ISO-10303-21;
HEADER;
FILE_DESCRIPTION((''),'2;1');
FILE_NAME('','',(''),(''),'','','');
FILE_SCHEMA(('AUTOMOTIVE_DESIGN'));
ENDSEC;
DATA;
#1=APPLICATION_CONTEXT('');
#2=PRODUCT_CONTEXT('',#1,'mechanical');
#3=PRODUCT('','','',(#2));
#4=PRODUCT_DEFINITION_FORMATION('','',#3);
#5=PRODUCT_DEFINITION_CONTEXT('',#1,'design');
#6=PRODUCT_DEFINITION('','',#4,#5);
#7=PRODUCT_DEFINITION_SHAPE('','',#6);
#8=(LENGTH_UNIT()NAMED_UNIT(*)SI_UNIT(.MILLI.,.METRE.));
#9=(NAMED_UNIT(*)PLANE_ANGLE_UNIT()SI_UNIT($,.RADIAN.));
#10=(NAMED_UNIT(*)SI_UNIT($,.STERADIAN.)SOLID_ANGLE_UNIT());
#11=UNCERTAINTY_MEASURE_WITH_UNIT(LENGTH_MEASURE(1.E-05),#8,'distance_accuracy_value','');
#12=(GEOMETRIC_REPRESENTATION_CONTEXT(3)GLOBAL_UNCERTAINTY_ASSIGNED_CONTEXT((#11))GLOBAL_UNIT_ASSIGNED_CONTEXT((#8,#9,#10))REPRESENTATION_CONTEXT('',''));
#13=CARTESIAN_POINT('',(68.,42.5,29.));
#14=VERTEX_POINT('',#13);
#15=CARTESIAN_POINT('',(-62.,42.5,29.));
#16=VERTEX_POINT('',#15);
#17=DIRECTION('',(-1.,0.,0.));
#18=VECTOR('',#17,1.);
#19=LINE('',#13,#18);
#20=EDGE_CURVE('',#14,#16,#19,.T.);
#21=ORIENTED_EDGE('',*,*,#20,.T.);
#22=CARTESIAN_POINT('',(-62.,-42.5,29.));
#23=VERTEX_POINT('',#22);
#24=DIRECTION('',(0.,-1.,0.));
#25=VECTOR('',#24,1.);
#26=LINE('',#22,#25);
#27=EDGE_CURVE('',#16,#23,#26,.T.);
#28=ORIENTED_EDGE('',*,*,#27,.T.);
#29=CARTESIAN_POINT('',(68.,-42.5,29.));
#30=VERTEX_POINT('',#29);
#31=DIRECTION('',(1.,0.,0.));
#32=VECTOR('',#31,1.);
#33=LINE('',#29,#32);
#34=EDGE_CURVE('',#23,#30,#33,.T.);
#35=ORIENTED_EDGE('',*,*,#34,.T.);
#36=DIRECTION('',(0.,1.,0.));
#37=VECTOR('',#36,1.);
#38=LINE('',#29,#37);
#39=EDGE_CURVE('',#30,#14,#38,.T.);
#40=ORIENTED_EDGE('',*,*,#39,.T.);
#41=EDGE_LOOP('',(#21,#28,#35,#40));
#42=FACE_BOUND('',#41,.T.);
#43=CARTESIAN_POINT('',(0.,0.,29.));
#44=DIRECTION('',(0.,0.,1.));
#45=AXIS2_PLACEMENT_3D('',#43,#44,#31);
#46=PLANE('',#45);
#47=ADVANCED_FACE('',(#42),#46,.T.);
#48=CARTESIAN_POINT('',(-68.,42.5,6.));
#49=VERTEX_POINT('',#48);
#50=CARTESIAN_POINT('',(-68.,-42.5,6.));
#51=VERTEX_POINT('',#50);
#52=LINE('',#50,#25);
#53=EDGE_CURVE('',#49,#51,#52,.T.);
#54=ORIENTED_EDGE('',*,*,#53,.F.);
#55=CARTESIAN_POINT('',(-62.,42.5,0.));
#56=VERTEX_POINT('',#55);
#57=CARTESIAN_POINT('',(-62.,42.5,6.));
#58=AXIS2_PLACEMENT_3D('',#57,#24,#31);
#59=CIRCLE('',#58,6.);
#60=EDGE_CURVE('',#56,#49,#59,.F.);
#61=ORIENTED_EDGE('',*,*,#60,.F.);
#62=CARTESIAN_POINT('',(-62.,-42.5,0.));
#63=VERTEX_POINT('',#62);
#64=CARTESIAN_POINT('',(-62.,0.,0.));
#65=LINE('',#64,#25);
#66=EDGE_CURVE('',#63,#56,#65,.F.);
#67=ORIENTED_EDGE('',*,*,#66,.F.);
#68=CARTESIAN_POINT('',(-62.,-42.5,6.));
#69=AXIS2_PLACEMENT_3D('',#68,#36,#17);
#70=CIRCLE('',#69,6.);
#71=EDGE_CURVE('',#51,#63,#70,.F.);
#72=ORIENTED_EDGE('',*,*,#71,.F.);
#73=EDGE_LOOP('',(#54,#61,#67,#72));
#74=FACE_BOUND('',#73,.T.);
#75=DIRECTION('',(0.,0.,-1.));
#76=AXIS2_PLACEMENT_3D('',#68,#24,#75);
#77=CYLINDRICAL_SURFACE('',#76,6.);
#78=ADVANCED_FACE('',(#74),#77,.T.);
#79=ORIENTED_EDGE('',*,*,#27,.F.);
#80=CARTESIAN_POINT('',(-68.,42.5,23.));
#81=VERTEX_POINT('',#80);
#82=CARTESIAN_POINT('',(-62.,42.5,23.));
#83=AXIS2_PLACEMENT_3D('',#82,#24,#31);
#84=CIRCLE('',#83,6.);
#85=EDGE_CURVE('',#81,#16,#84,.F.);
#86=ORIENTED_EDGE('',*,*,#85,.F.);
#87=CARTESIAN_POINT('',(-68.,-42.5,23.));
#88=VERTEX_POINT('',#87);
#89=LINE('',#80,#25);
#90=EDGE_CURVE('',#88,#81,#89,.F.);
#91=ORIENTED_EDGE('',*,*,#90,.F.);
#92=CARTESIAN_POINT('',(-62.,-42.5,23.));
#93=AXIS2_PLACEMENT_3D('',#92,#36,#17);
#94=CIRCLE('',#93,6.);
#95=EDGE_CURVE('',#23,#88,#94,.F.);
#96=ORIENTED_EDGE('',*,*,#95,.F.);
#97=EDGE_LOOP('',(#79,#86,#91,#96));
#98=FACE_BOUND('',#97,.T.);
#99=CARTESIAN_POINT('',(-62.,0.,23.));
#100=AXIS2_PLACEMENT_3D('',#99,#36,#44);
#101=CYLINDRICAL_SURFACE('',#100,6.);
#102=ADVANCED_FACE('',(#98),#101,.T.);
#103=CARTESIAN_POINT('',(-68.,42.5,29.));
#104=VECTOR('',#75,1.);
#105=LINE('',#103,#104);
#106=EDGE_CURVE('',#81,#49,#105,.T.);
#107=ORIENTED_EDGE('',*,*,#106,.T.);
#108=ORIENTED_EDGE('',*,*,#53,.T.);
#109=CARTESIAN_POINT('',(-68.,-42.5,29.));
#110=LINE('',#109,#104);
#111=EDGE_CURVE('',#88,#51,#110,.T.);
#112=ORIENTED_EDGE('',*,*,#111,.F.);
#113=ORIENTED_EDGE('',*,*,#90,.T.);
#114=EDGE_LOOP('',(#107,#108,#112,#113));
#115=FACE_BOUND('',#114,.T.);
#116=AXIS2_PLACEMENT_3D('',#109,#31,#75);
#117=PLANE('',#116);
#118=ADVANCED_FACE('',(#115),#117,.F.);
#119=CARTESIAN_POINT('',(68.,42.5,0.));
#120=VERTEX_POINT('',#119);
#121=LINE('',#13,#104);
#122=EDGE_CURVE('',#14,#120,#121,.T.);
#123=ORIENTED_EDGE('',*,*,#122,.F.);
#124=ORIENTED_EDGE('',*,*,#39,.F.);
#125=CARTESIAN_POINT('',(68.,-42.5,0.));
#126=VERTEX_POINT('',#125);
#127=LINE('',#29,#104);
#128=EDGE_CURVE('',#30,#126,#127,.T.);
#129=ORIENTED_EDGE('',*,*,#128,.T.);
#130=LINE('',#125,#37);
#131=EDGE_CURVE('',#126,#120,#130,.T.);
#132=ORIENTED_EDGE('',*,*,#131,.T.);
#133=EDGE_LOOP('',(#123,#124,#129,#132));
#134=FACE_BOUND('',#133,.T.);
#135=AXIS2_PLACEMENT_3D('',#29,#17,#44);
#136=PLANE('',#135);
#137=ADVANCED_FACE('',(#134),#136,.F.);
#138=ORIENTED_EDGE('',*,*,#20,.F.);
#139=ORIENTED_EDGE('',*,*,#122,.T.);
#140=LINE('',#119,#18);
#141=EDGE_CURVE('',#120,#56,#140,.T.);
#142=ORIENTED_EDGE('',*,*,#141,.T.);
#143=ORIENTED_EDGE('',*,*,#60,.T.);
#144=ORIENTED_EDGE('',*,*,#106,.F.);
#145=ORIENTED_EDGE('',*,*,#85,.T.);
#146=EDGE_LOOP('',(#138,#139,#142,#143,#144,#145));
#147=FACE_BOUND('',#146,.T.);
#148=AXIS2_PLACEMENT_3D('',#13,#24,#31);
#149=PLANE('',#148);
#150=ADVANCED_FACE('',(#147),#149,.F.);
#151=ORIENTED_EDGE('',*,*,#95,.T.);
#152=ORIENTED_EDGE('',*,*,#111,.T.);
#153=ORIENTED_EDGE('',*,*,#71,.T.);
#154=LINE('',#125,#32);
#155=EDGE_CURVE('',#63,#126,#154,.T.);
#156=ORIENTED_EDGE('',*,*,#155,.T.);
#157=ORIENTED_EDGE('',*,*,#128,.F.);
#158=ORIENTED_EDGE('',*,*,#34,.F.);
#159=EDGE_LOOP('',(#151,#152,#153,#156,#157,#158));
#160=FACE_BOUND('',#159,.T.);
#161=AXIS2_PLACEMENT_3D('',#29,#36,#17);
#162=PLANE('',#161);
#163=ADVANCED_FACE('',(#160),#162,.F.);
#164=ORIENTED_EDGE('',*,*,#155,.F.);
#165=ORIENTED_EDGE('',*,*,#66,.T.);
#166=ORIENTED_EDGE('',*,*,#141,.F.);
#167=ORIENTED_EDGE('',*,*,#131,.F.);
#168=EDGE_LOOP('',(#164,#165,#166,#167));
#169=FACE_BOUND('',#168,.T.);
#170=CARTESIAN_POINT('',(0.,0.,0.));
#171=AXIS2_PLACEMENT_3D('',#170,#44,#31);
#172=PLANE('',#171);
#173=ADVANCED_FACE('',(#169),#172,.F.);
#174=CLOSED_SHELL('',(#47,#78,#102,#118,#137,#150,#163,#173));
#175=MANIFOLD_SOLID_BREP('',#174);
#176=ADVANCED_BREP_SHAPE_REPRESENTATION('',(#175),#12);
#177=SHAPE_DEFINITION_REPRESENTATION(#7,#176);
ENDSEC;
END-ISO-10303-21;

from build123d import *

# Parameters (mm, degrees)
SKETCH1_W           = 136
SKETCH1_H           = 85
BOSS_EXTRUDE1_DEPTH = 29
FILLET1_R           = 6


with BuildPart() as part:
    # Sketch1 → Boss-Extrude1 (new body)
    with BuildSketch(Plane.XY):
        Rectangle(SKETCH1_W, SKETCH1_H)
    extrude(amount=BOSS_EXTRUDE1_DEPTH)

    # Fillet1
    fillet1_edges = [part.edges().sort_by_distance(p)[0] for p in [
        (-68, 0, 29),
        (-68, 0, 0),
    ]]
    fillet(fillet1_edges, radius=FILLET1_R)


solid = part.part
